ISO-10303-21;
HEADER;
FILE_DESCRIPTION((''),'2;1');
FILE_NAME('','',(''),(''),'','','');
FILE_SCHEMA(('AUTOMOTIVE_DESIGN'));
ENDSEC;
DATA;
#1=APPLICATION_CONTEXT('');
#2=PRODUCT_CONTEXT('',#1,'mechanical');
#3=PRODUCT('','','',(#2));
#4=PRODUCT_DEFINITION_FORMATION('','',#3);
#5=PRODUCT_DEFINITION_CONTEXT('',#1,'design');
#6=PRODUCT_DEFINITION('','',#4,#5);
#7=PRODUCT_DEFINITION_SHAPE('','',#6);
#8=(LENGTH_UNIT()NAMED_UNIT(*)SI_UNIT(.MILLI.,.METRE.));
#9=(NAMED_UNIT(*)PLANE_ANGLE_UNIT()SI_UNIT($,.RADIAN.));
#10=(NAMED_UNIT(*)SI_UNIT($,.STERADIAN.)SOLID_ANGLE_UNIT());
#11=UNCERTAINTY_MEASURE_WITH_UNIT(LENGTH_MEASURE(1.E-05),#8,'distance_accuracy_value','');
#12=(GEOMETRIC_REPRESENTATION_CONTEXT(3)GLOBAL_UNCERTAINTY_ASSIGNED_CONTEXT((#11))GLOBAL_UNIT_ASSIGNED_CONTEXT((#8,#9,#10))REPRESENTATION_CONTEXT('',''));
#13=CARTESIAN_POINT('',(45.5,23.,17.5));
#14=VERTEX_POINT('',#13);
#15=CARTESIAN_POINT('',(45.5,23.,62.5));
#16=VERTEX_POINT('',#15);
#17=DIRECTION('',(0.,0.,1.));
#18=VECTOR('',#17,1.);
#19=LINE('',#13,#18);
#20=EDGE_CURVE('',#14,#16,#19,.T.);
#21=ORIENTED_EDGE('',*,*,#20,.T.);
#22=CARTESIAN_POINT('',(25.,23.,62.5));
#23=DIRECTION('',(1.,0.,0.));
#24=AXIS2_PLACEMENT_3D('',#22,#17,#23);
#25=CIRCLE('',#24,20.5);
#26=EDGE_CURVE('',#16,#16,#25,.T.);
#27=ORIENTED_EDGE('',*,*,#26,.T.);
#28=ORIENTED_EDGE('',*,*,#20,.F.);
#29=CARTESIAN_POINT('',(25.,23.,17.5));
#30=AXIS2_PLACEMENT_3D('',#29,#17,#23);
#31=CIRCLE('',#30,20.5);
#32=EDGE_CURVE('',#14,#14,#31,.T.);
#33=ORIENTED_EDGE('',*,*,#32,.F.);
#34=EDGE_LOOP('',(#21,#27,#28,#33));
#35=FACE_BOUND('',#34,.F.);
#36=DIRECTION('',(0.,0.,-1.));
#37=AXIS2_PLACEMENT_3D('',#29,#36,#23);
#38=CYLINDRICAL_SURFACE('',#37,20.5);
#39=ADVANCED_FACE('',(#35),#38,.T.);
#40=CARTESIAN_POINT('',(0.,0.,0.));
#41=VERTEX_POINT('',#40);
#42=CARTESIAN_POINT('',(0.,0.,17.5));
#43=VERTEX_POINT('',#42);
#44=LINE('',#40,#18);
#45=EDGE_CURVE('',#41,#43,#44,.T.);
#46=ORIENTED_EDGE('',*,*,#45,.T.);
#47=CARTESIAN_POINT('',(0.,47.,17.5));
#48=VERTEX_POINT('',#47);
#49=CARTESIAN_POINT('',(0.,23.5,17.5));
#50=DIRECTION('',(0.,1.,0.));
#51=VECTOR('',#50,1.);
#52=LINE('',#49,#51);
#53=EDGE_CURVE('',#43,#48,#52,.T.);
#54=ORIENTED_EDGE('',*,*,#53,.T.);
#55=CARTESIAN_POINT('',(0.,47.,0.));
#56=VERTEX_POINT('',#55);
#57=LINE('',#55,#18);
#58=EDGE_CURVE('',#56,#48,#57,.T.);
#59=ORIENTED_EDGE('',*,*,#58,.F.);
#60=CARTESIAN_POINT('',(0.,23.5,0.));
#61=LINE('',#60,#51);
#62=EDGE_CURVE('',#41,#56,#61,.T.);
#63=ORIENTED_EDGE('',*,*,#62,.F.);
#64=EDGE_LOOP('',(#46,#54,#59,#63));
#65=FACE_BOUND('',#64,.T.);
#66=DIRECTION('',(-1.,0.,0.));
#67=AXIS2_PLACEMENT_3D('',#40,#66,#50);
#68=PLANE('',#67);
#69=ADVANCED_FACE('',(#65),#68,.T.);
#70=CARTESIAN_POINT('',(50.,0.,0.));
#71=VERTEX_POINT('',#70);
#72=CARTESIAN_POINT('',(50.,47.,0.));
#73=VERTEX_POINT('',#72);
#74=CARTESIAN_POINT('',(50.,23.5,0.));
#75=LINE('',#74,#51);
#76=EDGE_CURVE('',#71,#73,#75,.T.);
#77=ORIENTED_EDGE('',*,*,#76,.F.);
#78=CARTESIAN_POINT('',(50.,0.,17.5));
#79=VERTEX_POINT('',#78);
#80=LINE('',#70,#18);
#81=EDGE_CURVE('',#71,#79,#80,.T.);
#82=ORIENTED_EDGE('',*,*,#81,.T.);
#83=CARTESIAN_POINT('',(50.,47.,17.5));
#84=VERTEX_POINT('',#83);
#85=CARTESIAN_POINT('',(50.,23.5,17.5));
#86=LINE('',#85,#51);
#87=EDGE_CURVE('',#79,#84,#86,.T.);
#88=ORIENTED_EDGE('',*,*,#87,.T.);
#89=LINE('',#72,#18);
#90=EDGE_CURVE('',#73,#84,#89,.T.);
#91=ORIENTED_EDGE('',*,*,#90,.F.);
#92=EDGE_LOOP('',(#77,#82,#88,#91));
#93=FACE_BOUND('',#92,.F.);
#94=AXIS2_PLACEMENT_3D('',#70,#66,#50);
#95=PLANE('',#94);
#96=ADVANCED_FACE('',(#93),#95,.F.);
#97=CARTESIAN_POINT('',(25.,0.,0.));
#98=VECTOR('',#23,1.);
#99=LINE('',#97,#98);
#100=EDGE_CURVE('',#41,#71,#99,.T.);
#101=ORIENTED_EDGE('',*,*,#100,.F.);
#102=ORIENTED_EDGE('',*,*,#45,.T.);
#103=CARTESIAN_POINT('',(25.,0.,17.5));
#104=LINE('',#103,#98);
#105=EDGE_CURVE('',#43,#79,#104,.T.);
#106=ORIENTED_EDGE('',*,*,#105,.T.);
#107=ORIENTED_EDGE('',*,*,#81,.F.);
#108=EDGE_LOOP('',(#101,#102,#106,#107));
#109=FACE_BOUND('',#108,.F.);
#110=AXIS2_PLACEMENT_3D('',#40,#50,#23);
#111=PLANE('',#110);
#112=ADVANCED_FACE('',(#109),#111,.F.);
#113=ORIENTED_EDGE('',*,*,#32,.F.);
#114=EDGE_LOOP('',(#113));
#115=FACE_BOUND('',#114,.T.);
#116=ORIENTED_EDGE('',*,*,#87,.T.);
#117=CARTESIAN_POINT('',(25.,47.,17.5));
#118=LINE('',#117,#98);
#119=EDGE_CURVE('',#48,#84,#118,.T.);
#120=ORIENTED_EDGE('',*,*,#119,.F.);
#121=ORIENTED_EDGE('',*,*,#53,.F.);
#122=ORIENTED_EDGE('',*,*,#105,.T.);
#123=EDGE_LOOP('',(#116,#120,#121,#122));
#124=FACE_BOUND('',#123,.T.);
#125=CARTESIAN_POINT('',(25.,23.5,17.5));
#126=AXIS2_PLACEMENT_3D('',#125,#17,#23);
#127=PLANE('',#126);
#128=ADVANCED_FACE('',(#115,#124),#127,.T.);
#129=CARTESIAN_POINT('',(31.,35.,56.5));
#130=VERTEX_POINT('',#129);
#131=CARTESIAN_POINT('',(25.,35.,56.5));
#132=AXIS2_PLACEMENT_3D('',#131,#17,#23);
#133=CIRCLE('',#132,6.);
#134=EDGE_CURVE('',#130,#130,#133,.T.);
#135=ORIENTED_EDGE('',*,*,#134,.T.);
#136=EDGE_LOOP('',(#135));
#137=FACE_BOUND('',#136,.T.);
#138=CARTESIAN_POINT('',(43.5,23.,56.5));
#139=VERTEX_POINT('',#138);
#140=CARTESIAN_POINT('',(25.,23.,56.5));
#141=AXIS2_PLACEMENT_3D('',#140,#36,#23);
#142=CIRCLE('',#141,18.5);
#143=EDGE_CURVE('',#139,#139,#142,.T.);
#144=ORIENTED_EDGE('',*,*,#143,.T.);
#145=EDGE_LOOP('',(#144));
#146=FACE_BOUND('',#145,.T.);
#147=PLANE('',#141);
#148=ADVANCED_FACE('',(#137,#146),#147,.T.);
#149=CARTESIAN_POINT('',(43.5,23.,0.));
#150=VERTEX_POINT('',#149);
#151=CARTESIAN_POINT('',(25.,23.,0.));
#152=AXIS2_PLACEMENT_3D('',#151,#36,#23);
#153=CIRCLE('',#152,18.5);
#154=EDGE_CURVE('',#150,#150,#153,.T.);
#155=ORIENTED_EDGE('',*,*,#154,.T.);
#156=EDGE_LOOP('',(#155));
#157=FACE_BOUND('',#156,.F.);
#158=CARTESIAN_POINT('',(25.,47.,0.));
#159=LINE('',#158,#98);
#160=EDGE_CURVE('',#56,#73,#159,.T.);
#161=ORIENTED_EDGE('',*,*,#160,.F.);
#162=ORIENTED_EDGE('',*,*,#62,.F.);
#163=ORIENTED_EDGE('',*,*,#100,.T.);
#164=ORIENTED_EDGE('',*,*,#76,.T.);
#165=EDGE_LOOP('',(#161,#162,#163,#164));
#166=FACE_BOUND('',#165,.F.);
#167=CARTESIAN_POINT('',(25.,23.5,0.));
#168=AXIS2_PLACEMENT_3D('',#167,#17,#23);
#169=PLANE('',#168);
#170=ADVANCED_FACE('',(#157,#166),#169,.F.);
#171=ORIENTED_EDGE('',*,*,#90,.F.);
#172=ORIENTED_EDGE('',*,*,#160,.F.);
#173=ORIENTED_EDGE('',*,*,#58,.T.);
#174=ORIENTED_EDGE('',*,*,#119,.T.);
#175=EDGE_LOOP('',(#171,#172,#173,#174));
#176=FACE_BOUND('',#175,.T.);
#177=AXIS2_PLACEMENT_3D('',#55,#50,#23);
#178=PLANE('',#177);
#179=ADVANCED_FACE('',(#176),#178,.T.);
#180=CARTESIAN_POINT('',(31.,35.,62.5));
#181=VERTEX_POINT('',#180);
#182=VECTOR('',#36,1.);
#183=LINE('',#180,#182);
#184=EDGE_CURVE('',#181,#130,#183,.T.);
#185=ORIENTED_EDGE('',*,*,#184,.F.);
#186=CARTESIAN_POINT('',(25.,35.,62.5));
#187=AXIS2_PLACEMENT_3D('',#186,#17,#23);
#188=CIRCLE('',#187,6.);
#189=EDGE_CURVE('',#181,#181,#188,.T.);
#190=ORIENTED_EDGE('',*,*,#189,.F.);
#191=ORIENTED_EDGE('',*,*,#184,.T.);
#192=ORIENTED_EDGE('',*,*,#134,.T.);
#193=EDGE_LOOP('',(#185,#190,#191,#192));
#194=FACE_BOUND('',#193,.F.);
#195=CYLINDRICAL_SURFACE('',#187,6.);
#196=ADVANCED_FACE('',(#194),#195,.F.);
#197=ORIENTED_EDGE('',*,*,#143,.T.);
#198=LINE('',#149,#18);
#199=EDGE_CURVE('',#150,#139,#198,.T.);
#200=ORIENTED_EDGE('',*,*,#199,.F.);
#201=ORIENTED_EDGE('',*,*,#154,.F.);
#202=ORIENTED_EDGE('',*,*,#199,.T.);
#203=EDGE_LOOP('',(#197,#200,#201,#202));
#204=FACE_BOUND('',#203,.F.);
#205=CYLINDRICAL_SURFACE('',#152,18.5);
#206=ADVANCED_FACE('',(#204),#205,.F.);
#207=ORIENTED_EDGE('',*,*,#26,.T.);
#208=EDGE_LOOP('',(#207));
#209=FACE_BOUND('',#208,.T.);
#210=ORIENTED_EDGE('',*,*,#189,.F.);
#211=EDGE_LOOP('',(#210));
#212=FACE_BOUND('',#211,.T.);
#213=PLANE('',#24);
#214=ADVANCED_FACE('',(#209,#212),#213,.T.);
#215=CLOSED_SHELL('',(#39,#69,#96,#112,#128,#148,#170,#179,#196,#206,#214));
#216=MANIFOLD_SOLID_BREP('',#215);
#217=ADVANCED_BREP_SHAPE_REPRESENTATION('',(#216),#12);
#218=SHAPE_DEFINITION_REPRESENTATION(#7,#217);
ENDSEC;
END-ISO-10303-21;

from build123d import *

# Parameters (mm, degrees)
F0_W     = 50
F0_H     = 47
F1_DEPTH = 17.5
F2_R     = 20.5
F3_DEPTH = 45
F4_R     = 18.5
F5_DEPTH = 56.5
F6_R     = 6
F7_DEPTH = 25


with BuildPart() as f1:
    # F0 (on Top) → F1 (new body)
    with BuildSketch(Plane.XY):
        with Locations((25, 23.5)):
            Rectangle(F0_W, F0_H)
    extrude(amount=F1_DEPTH)

    # F2 (on face) → F3 (join)
    with BuildSketch(Plane.XY.offset(17.5)):
        with Locations((25, 23)):
            Circle(F2_R)
    extrude(amount=F3_DEPTH)

    # F4 (on face) → F5 (cut)
    with BuildSketch(Plane(origin=(0, 0, 0), x_dir=(1, 0, 0), z_dir=(0, 0, -1))):
        with Locations((25, -23)):
            Circle(F4_R)
    extrude(amount=-F5_DEPTH, mode=Mode.SUBTRACT)

    # F6 (on face) → F7 (cut)
    with BuildSketch(Plane.XY.offset(62.5)):
        with Locations((25, 35)):
            Circle(F6_R)
    extrude(amount=-F7_DEPTH, mode=Mode.SUBTRACT)


solid = f1.part
